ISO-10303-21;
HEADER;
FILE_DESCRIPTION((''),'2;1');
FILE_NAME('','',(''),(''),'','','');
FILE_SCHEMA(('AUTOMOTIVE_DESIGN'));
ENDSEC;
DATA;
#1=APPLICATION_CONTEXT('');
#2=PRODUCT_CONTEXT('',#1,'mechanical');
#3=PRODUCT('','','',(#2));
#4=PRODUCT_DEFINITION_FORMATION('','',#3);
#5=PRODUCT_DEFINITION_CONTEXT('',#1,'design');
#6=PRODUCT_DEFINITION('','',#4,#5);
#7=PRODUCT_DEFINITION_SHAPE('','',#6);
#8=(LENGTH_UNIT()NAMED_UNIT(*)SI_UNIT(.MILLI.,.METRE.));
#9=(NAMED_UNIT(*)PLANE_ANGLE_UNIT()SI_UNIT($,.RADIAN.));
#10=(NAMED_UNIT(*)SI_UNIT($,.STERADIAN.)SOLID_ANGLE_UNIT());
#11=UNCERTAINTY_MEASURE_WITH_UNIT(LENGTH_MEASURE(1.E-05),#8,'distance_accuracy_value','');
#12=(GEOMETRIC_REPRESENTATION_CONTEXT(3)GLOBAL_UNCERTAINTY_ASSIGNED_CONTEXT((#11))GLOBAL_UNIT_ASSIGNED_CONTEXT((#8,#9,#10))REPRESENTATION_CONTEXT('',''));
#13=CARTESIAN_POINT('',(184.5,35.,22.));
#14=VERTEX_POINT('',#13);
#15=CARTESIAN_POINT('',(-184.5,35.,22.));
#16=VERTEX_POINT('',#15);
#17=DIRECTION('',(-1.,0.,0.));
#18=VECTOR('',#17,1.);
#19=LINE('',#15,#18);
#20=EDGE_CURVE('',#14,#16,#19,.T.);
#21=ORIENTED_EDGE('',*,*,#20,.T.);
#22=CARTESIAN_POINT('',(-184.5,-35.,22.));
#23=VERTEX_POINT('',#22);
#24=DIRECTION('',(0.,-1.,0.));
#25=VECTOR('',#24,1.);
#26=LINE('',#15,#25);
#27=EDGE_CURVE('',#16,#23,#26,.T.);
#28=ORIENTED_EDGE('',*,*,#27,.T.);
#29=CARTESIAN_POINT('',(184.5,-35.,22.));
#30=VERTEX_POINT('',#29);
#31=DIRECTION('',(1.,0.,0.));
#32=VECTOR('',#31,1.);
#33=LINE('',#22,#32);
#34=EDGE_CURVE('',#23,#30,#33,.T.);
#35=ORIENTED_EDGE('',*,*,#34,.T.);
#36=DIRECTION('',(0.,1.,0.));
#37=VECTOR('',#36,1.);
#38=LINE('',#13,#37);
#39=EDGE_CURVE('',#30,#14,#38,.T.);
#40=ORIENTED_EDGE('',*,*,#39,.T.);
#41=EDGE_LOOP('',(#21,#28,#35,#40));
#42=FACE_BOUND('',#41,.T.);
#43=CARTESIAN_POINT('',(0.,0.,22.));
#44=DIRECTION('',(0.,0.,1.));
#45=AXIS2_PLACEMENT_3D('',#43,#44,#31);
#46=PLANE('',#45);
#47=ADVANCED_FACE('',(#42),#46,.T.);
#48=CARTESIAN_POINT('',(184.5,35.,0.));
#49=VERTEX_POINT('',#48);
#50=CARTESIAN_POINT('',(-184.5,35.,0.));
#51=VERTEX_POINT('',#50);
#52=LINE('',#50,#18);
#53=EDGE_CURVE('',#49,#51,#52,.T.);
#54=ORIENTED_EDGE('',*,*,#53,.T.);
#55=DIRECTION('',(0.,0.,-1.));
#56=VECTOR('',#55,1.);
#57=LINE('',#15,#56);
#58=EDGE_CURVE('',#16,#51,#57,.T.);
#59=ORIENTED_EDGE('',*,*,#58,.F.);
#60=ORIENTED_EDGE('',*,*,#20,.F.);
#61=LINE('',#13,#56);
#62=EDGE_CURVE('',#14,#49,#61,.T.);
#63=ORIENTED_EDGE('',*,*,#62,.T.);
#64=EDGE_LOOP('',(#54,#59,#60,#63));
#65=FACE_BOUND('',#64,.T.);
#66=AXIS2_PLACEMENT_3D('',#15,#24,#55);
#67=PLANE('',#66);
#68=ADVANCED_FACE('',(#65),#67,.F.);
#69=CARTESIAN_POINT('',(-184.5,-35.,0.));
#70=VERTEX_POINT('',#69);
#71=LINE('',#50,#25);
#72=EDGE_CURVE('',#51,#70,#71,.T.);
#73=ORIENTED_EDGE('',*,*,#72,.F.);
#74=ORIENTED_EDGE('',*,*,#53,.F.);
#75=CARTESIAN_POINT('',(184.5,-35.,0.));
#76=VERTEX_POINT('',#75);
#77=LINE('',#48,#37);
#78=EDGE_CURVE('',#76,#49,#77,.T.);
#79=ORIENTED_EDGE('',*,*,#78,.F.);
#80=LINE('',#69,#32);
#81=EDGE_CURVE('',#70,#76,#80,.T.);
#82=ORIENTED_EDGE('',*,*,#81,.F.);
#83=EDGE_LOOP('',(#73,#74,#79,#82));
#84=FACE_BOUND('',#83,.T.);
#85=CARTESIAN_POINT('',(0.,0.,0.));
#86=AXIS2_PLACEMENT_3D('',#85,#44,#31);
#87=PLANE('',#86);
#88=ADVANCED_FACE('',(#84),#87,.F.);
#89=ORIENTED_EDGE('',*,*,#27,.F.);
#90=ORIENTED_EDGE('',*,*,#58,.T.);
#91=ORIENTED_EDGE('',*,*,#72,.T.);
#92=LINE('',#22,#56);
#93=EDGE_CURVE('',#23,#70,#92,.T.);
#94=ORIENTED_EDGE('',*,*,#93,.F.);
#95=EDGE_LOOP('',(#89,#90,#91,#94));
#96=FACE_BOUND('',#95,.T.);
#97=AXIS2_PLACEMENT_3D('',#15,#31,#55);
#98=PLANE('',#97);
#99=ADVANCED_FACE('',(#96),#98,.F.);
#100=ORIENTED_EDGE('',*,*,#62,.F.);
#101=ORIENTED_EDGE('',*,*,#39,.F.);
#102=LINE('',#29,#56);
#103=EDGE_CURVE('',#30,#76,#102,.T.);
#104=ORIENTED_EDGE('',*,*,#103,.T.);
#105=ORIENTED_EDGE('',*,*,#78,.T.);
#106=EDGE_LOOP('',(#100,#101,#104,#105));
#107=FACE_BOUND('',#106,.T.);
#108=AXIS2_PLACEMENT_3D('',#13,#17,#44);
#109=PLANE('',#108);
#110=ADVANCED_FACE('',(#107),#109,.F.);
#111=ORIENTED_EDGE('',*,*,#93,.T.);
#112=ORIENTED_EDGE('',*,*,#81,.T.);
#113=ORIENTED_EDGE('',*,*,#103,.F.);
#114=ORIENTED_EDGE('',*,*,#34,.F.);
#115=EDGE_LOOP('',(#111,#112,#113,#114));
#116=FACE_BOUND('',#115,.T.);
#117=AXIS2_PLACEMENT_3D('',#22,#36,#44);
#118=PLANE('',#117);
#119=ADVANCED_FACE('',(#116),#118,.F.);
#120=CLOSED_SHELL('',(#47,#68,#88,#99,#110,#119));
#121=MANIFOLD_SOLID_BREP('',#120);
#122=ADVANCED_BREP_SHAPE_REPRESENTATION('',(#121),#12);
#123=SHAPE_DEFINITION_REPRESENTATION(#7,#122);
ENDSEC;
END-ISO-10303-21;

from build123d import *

# Parameters (mm, degrees)
ESQUISSE1_W        = 369
ESQUISSE1_H        = 70
BOSS_EXTRU_1_DEPTH = 22


with BuildPart() as part:
    # Esquisse1 → Boss.-Extru.1 (new body)
    with BuildSketch(Plane.XY):
        Rectangle(ESQUISSE1_W, ESQUISSE1_H)
    extrude(amount=BOSS_EXTRU_1_DEPTH)


solid = part.part
